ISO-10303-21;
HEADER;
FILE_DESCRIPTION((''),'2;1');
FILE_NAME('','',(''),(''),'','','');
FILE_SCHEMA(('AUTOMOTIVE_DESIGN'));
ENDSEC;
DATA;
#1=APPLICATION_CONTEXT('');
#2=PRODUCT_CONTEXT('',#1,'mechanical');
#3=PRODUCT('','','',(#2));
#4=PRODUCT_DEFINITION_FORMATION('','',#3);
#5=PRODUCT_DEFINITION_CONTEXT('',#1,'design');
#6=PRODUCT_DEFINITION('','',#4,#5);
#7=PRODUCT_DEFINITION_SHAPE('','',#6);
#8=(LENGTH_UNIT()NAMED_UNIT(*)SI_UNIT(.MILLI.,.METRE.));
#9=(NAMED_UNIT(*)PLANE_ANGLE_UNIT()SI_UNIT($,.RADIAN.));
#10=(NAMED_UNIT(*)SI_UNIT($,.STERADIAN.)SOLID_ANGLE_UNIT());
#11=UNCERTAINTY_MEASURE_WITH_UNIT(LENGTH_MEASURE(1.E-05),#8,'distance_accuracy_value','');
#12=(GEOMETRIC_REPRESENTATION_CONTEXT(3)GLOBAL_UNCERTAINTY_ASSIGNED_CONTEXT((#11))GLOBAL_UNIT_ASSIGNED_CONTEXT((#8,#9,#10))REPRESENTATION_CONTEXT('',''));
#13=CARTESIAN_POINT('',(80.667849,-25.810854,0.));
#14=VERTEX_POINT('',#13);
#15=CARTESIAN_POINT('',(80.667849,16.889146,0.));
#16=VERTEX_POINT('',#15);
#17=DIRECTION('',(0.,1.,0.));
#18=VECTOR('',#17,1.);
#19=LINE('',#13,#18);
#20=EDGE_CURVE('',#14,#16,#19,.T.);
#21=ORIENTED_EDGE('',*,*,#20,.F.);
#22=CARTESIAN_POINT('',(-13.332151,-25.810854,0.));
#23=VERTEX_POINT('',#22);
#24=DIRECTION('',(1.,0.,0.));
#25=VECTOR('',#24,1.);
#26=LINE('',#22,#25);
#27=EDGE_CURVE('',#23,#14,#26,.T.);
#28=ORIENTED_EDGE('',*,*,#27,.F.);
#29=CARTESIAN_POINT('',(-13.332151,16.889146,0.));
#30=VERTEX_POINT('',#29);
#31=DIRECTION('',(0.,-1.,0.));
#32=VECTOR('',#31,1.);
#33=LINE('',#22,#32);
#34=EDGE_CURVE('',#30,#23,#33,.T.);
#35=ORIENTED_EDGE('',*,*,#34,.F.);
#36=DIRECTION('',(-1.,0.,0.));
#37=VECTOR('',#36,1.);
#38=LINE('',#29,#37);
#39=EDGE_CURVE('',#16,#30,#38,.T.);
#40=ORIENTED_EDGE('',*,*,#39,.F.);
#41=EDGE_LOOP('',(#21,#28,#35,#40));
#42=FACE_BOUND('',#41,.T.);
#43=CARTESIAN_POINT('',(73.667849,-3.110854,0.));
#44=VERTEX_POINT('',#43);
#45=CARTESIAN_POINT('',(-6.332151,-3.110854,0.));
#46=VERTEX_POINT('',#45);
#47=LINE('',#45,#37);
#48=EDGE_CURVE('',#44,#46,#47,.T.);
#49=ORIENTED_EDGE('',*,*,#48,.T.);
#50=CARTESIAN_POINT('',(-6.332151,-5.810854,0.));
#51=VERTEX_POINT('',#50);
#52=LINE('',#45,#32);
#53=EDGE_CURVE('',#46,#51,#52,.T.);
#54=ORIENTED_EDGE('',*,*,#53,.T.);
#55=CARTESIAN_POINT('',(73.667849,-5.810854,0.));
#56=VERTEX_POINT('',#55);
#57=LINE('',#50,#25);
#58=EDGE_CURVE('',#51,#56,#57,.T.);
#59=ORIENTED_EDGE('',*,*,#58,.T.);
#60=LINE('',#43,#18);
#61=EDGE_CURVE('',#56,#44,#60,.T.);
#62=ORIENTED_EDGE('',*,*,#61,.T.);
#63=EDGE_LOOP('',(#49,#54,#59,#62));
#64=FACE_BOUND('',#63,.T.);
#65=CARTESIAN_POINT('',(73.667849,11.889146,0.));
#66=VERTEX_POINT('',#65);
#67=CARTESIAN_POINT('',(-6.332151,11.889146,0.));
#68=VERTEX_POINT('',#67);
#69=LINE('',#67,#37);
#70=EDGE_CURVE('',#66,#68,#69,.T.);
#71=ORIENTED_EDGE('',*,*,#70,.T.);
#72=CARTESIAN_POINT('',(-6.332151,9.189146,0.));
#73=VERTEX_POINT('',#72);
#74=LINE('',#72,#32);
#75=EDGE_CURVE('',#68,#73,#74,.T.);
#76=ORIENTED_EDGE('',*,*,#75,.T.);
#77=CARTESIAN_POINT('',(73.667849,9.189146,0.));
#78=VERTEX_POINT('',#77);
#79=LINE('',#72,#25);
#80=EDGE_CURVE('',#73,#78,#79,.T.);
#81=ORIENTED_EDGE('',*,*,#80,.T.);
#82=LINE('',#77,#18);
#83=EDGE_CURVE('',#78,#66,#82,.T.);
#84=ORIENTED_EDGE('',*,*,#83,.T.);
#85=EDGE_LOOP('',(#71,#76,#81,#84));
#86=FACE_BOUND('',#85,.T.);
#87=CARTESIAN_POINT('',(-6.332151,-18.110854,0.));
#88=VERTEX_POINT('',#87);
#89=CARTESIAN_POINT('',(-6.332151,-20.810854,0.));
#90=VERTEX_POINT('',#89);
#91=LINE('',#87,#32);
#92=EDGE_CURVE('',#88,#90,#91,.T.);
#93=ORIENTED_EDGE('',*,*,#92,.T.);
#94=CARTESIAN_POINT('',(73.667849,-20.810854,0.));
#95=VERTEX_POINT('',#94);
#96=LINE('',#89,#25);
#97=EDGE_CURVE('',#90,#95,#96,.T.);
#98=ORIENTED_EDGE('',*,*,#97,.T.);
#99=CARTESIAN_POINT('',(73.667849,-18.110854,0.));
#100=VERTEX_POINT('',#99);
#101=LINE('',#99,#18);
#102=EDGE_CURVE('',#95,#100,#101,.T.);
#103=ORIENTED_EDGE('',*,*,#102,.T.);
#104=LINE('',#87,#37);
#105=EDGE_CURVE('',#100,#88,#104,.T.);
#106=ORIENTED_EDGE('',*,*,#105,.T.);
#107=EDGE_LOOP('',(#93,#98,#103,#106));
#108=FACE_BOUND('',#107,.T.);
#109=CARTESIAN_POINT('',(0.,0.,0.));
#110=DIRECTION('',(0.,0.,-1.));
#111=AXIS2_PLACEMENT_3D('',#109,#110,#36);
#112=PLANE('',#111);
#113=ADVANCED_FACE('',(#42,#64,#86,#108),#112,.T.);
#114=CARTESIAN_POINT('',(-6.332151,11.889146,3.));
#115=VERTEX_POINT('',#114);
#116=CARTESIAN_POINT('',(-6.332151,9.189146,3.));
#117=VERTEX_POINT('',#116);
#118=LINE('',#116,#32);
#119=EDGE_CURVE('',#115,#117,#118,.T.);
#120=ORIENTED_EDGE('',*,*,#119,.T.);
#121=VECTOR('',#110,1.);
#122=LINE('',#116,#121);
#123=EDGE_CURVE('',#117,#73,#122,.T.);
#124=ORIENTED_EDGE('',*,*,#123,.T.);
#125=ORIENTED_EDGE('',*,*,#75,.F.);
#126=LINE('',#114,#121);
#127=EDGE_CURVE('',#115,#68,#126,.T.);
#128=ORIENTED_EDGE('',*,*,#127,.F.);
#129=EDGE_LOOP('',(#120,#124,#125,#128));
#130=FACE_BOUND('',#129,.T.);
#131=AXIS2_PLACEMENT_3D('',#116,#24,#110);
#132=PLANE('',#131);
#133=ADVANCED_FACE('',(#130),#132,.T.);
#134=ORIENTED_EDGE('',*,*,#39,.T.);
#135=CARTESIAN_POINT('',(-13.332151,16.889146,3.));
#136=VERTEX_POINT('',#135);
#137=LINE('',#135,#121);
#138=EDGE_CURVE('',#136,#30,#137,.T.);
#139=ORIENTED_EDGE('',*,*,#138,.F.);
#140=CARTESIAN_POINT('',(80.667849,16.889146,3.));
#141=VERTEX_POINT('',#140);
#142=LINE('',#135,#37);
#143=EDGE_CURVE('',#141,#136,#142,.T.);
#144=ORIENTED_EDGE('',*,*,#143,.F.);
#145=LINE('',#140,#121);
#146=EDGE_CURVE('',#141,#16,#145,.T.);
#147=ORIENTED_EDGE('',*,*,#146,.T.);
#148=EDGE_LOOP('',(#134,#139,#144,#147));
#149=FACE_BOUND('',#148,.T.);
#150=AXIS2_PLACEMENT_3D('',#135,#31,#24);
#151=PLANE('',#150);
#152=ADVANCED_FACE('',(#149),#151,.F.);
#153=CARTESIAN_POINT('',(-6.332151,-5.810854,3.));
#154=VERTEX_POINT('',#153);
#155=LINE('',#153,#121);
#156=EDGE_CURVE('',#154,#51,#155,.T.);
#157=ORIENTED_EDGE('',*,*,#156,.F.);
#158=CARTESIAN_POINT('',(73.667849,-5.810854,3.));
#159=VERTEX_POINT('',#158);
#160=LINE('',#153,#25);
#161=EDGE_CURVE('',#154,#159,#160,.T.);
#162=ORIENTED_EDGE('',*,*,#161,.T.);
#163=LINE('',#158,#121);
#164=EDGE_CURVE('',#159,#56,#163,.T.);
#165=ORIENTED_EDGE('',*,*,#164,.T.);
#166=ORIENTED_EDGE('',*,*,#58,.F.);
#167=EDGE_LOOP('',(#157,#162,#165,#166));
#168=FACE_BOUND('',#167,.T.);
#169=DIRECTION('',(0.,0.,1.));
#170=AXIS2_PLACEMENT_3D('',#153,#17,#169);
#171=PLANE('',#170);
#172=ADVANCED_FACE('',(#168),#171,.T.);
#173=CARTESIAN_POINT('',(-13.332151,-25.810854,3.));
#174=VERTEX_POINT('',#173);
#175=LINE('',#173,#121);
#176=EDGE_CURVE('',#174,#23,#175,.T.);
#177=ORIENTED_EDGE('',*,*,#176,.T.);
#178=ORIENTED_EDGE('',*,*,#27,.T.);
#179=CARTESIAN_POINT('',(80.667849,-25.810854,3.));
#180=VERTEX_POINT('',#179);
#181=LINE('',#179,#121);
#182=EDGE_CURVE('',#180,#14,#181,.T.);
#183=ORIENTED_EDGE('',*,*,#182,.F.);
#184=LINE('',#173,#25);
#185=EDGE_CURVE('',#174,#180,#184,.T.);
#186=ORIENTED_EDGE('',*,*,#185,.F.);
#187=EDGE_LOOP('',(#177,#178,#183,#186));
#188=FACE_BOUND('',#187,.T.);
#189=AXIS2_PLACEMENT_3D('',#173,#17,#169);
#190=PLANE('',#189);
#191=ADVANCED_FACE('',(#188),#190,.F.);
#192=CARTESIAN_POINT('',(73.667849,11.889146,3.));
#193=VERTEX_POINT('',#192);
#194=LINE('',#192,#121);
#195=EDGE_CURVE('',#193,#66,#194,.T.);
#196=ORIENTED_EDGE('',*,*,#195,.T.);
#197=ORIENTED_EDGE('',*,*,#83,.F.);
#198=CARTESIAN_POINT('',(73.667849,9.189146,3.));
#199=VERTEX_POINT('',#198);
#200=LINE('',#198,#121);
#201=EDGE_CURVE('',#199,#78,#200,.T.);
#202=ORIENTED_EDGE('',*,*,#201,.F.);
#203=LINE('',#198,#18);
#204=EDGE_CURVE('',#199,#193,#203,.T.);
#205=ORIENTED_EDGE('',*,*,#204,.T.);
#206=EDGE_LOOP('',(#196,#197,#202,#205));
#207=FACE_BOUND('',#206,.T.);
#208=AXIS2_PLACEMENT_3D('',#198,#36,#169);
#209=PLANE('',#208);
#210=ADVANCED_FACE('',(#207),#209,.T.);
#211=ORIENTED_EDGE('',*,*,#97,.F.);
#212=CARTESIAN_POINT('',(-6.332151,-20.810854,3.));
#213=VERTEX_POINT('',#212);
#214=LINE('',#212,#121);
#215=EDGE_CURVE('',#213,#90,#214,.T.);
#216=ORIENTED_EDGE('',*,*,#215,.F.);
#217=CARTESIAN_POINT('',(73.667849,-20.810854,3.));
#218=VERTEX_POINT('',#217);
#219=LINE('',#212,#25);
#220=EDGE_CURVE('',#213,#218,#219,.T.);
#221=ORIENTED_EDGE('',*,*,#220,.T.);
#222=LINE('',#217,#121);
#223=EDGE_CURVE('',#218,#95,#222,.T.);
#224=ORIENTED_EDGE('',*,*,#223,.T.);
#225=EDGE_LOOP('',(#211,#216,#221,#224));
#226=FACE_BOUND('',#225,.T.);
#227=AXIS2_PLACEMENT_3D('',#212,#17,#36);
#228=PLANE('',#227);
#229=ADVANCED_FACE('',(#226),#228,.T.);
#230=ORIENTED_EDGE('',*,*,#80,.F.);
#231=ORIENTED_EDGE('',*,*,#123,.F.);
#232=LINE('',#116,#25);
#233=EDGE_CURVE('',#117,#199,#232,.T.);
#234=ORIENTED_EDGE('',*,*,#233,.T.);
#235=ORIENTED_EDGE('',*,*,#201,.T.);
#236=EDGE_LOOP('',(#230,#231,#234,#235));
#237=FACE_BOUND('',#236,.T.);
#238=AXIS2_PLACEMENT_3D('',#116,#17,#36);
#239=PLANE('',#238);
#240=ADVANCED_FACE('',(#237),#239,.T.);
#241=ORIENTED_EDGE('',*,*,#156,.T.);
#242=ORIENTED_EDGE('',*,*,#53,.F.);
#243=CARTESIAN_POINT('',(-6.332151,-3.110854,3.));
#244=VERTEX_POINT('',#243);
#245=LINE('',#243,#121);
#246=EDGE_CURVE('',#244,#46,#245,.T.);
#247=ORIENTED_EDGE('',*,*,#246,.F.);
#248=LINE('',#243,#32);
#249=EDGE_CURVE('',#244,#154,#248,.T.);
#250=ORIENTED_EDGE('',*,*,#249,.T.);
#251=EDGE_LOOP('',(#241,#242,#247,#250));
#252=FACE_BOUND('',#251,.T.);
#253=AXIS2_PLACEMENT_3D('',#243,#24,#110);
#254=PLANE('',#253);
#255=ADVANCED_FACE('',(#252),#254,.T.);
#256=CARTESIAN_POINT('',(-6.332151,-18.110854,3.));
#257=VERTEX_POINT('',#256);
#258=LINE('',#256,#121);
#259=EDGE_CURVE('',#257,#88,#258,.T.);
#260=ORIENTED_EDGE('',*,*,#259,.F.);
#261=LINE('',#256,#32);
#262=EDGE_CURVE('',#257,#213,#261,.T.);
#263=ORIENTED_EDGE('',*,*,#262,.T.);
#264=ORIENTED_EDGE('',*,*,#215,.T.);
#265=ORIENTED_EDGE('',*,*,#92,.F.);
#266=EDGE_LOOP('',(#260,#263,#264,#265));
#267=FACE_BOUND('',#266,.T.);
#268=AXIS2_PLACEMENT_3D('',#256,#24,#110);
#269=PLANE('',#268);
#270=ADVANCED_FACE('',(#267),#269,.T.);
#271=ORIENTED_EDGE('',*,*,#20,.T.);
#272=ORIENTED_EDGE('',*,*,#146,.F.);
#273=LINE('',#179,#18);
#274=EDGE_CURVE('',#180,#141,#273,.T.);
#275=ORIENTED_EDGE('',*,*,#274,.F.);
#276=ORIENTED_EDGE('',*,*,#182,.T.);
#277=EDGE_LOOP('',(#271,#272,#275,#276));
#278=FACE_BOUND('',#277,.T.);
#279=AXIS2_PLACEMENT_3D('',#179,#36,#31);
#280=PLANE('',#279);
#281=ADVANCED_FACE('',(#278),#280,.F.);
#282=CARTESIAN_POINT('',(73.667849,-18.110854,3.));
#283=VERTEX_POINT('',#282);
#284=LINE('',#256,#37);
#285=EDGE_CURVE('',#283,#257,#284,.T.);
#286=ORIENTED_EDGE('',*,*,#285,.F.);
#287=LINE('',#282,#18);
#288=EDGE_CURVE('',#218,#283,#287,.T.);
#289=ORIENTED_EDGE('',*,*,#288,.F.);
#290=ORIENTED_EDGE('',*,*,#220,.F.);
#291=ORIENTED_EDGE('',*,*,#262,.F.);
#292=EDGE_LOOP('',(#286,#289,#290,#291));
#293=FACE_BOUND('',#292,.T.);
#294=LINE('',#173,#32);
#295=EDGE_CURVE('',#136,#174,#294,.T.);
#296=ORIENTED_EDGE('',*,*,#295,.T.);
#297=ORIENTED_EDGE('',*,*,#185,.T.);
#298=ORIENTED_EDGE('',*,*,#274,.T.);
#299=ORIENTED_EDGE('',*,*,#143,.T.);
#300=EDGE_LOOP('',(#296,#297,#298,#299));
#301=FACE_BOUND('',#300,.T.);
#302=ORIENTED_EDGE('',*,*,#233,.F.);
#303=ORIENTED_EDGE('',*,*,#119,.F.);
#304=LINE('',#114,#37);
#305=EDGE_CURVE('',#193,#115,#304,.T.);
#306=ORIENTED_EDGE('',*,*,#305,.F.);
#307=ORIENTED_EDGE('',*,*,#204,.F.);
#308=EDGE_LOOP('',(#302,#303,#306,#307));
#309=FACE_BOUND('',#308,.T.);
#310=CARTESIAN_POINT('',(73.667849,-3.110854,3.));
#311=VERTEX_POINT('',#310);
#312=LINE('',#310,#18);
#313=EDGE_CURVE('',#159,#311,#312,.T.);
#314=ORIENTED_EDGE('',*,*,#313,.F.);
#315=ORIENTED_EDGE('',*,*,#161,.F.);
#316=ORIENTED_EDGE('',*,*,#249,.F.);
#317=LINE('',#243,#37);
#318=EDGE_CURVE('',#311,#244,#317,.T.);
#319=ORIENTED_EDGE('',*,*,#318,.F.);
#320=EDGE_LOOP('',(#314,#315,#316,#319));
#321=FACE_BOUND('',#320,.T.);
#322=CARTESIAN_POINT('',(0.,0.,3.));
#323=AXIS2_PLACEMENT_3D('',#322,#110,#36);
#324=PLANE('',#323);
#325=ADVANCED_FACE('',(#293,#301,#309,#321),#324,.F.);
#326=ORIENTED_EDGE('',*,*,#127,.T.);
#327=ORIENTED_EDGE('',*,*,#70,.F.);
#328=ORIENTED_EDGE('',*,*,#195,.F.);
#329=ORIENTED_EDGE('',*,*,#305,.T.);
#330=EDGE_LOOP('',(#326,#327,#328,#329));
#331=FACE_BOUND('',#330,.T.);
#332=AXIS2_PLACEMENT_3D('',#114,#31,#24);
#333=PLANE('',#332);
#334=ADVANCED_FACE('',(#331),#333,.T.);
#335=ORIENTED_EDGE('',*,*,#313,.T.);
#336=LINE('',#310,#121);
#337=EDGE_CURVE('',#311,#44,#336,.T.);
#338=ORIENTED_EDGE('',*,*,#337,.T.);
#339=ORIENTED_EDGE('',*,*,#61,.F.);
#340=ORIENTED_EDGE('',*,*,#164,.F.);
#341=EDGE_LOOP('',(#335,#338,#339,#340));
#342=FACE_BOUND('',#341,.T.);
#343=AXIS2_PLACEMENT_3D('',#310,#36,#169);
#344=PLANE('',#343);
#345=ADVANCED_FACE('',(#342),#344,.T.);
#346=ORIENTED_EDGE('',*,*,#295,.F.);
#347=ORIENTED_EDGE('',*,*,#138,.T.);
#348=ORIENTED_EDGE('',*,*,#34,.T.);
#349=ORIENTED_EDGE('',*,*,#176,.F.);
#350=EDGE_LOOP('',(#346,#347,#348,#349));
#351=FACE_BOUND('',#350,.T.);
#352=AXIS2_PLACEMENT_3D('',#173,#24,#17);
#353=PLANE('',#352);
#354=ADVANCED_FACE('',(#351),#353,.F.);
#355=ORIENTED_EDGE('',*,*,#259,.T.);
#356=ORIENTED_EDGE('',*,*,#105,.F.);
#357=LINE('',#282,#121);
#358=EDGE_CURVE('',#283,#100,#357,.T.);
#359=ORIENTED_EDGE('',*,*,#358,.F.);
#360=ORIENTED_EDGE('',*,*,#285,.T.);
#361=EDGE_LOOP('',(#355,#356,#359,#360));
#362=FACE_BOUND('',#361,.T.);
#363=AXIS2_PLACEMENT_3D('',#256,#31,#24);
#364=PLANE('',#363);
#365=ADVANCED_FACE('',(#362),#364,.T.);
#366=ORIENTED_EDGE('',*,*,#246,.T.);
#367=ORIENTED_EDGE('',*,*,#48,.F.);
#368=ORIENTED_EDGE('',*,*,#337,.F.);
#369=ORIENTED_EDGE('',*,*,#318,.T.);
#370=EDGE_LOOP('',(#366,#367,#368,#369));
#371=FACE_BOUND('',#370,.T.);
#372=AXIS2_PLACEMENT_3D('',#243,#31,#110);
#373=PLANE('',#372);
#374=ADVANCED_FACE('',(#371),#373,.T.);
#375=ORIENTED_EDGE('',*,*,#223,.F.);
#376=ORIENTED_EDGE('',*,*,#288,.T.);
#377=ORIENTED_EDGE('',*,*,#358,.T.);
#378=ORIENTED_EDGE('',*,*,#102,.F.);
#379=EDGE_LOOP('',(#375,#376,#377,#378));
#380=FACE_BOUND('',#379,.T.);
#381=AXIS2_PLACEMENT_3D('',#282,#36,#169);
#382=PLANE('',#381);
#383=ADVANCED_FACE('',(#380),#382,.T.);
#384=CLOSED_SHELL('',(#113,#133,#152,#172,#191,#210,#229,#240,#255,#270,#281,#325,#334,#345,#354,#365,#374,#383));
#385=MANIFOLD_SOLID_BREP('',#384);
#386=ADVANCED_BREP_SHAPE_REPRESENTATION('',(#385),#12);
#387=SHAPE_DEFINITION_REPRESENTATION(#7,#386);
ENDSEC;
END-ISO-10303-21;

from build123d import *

# Parameters (mm, degrees)
SKETCH_1_W      = 94
SKETCH_1_H      = 42.7
SKETCH_1_W_2    = 80
SKETCH_1_H_2    = 2.7
EXTRUDE_1_DEPTH = 3


with BuildPart() as part:
    # 草圖1 → 填料-伸長1 (new body)
    with BuildSketch(Plane.XY):
        with Locations((33.667848899, -4.460854476)):
            Rectangle(SKETCH_1_W, SKETCH_1_H)
        with Locations((33.667848899, -4.460854476)):
            Rectangle(SKETCH_1_W_2, SKETCH_1_H_2, mode=Mode.SUBTRACT)
        with Locations((33.667848899, 10.539145524)):
            Rectangle(SKETCH_1_W_2, SKETCH_1_H_2, mode=Mode.SUBTRACT)
        with Locations((33.667848899, -19.460854476)):
            Rectangle(SKETCH_1_W_2, SKETCH_1_H_2, mode=Mode.SUBTRACT)
    extrude(amount=EXTRUDE_1_DEPTH)


solid = part.part
